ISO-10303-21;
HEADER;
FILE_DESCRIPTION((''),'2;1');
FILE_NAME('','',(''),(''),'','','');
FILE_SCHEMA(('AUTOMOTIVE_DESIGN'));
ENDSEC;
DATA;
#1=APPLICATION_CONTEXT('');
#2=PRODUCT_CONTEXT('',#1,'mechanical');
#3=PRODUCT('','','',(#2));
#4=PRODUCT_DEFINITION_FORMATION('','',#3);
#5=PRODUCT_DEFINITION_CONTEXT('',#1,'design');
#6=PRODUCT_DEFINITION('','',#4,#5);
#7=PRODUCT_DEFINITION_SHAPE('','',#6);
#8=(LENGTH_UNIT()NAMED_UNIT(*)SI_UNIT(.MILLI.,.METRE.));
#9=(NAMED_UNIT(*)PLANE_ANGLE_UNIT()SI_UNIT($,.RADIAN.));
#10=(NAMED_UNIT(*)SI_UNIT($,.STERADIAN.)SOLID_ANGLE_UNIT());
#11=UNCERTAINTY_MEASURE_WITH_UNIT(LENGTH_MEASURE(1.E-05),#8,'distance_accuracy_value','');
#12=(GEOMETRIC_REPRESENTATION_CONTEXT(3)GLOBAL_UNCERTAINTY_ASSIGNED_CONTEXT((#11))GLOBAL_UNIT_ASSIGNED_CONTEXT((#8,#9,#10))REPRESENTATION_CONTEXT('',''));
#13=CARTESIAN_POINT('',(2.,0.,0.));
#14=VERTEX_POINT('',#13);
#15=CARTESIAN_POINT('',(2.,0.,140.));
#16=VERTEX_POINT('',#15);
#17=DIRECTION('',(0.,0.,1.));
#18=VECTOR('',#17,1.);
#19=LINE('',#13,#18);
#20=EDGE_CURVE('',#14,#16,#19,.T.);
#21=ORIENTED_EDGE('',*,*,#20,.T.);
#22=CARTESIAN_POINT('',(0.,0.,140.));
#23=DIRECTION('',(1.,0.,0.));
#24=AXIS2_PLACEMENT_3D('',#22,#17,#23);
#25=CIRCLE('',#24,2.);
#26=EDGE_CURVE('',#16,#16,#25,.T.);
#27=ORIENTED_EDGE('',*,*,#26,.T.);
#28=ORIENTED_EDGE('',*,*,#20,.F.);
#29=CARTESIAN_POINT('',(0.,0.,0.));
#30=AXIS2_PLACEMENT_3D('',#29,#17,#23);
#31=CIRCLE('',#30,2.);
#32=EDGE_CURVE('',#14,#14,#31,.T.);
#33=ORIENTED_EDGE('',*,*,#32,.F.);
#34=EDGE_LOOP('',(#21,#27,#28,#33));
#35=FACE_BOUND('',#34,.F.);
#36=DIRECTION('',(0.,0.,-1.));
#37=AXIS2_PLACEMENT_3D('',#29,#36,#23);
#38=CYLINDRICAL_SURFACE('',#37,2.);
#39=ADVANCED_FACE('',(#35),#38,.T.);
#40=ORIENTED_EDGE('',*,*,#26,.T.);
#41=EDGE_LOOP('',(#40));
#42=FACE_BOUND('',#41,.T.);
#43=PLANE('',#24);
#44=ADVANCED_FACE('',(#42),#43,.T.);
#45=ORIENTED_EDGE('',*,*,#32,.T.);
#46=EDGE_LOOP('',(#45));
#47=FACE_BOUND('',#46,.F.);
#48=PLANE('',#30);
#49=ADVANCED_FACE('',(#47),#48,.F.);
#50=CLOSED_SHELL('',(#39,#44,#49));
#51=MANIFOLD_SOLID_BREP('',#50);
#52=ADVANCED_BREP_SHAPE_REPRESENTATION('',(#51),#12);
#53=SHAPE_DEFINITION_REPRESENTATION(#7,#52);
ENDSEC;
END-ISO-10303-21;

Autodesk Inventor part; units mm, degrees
ref_plane "YZ Plane" through (0, 0, 0) normal (1, 0, 0) x (0, 1, 0)
ref_plane "XZ Plane" through (0, 0, 0) normal (0, 1, 0) x (-1, 0, 0)
ref_plane "XY Plane" through (0, 0, 0) normal (0, 0, 1) x (1, 0, 0)
sketch "Sketch1" plane through (0, 0, 0) normal (0, 0, 1) x (1, 0, 0)
  circle A0 centre (0, 0) radius 2
  dimension "d0" = 4
extrude "Extrusion1" add sketch "Sketch1" along normal blind 140
properties part number "rod"
